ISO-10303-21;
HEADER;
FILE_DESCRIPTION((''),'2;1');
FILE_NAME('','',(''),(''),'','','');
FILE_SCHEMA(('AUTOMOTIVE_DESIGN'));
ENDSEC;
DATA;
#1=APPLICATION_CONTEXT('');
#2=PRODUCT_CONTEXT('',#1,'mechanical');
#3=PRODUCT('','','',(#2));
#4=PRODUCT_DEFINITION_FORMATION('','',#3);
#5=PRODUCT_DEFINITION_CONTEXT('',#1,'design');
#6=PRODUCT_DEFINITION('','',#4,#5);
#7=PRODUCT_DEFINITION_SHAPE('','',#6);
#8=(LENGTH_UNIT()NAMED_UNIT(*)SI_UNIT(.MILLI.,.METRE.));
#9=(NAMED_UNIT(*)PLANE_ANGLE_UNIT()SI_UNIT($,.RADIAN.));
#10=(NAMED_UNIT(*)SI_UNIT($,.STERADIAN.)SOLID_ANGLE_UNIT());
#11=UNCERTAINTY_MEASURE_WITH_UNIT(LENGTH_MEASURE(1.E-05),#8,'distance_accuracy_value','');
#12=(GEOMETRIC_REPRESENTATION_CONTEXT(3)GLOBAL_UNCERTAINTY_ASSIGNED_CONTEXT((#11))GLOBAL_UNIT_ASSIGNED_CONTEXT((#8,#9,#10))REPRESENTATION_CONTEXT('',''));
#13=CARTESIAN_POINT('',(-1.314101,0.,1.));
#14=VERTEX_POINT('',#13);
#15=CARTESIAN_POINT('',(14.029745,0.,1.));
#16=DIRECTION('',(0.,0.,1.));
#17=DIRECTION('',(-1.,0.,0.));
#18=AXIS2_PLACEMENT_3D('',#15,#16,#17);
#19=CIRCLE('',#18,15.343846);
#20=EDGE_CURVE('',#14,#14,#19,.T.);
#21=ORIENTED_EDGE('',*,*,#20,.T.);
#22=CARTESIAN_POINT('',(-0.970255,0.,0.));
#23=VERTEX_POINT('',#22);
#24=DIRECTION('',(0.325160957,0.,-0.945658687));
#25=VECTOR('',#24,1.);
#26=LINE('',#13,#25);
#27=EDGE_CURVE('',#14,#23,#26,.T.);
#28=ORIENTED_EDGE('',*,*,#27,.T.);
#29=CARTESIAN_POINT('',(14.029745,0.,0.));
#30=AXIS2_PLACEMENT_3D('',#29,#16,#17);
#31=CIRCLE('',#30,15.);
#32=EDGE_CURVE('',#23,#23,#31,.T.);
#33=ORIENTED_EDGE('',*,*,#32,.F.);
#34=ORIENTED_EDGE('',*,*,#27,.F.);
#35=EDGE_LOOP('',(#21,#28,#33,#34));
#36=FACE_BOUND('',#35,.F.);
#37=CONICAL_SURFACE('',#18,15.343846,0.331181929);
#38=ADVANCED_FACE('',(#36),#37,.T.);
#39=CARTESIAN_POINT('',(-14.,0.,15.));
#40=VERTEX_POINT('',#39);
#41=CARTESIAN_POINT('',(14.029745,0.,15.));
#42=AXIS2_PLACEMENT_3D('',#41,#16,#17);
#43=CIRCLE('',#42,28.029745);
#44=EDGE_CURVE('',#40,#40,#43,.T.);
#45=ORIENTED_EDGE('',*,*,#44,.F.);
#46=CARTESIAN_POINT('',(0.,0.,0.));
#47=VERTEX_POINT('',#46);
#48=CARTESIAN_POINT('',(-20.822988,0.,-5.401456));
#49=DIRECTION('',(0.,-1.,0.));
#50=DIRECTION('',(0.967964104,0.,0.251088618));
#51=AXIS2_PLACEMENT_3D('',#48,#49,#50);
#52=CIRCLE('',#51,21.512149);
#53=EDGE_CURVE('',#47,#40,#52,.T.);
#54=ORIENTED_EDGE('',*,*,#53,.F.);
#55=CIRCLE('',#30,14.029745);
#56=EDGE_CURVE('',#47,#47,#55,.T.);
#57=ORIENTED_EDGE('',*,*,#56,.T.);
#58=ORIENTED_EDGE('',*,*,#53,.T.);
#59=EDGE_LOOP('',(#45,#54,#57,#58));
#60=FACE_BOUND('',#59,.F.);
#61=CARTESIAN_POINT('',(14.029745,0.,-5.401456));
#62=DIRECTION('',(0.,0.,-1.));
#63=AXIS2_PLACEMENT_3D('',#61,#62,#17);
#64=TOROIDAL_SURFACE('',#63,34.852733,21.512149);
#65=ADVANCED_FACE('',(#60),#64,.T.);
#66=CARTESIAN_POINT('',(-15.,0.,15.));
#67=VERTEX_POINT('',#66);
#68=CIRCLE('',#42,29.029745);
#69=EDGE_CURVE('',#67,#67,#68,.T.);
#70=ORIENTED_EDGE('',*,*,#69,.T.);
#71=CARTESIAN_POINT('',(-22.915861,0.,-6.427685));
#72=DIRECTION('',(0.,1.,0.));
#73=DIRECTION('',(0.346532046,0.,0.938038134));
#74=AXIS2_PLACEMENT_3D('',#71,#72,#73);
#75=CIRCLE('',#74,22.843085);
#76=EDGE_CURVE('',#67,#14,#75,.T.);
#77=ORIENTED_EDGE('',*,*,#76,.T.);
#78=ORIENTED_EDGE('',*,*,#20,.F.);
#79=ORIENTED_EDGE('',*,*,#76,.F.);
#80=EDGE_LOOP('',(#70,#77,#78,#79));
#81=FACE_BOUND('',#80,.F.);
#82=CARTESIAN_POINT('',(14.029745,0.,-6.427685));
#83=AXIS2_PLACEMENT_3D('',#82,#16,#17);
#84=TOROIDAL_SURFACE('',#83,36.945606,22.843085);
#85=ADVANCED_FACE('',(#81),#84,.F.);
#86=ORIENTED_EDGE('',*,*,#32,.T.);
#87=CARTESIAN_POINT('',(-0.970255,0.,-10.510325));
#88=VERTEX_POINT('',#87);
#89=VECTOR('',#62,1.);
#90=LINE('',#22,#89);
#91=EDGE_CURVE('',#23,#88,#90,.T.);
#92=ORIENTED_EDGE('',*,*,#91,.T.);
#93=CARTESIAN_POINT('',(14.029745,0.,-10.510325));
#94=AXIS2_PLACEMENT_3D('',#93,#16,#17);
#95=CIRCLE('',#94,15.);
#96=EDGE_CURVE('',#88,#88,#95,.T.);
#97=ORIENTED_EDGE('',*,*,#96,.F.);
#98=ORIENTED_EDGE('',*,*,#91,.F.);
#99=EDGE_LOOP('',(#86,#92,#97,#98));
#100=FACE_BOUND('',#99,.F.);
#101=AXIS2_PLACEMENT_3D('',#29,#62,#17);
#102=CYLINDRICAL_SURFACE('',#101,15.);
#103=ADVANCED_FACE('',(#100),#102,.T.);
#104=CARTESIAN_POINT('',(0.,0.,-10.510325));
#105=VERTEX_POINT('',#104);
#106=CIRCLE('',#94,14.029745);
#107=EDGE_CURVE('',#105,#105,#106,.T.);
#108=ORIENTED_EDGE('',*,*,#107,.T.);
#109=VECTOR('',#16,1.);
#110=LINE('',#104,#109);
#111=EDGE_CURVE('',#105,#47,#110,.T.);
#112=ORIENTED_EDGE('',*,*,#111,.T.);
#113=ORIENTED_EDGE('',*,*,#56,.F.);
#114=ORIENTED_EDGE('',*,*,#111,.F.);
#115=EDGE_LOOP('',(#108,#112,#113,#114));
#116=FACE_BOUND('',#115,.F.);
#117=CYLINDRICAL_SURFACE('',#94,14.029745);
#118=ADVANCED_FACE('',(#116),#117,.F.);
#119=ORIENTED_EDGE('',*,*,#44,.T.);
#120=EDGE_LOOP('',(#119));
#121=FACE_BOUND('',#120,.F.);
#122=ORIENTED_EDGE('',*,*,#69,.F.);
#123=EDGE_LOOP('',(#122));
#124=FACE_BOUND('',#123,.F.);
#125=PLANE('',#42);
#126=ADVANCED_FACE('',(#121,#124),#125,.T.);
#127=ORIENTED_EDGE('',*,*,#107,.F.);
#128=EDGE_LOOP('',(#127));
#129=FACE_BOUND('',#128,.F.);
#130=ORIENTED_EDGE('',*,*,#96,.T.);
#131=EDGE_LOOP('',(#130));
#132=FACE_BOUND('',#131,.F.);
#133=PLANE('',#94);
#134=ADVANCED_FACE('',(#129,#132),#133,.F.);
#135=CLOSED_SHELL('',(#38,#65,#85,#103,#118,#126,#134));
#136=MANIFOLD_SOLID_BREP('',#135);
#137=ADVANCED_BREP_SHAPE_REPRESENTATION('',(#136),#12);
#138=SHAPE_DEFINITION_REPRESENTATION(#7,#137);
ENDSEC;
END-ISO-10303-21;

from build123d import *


with BuildPart() as f1:
    # F0 (on Front) → F1 (revolve)
    with BuildSketch(Plane.XZ):
        with BuildLine():
            ThreePointArc((0, 0), (-5.096418, 9.276676), (-14, 15))
            Line((-14, 15), (-15, 15))
            ThreePointArc((-15, 15), (-6.581159, 9.540535), (-1.314101, 1))
            Line((-1.314101, 1), (-0.970255, 0))
            Line((-0.970255, 0), (-0.970255, -10.510325))
            Line((-0.970255, -10.510325), (0, -10.510325))
            Line((0, -10.510325), (0, 0))
        make_face()
    revolve(axis=Axis((14.029745, 0, 7.5), (0, 0, 1)))


solid = f1.part
